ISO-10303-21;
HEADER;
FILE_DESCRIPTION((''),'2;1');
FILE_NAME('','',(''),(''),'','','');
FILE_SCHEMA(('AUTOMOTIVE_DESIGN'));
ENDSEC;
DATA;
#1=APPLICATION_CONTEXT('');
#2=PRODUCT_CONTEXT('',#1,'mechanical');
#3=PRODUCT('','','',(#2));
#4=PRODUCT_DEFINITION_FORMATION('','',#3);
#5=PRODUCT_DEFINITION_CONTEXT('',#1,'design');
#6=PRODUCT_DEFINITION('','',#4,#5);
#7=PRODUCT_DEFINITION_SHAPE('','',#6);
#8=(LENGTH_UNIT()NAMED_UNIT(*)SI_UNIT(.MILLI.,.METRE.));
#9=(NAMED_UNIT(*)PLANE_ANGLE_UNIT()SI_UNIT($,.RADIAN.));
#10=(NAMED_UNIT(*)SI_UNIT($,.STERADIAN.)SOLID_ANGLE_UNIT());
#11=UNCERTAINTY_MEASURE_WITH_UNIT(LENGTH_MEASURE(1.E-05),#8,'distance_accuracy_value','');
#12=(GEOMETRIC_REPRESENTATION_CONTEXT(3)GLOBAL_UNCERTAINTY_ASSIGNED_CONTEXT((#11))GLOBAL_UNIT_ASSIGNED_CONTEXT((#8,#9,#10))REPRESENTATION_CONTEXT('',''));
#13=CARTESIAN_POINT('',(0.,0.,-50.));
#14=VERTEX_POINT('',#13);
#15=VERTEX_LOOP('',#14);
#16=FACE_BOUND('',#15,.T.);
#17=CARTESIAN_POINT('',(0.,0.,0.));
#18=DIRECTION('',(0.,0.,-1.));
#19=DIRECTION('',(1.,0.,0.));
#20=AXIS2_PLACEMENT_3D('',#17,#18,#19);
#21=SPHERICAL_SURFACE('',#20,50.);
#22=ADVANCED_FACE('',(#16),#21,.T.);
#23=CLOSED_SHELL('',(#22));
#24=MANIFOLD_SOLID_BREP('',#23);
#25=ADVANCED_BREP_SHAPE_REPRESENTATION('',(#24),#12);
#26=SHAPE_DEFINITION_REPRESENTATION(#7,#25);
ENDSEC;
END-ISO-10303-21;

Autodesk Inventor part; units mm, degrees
ref_plane "YZ Plane" through (0, 0, 0) normal (1, 0, 0) x (0, 1, 0)
ref_plane "XZ Plane" through (0, 0, 0) normal (0, 1, 0) x (-1, 0, 0)
ref_plane "XY Plane" through (0, 0, 0) normal (0, 0, 1) x (1, 0, 0)
sketch "Skizze1" plane through (0, 0, 0) normal (0, 1, 0) x (-1, 0, 0)
  arc A0 (0, 50) -> (0, -50) centre (0, 0) ccw
  line L0 (0, 50) -> (0, -50)
  point P0 (-50, 0)
  dimension "d2" = 100
revolve "Umdrehung1" add sketch "Skizze1" angle 360 about axis through (0, 0, 50) along (0, 0, -1)
properties part number "Sphere"
